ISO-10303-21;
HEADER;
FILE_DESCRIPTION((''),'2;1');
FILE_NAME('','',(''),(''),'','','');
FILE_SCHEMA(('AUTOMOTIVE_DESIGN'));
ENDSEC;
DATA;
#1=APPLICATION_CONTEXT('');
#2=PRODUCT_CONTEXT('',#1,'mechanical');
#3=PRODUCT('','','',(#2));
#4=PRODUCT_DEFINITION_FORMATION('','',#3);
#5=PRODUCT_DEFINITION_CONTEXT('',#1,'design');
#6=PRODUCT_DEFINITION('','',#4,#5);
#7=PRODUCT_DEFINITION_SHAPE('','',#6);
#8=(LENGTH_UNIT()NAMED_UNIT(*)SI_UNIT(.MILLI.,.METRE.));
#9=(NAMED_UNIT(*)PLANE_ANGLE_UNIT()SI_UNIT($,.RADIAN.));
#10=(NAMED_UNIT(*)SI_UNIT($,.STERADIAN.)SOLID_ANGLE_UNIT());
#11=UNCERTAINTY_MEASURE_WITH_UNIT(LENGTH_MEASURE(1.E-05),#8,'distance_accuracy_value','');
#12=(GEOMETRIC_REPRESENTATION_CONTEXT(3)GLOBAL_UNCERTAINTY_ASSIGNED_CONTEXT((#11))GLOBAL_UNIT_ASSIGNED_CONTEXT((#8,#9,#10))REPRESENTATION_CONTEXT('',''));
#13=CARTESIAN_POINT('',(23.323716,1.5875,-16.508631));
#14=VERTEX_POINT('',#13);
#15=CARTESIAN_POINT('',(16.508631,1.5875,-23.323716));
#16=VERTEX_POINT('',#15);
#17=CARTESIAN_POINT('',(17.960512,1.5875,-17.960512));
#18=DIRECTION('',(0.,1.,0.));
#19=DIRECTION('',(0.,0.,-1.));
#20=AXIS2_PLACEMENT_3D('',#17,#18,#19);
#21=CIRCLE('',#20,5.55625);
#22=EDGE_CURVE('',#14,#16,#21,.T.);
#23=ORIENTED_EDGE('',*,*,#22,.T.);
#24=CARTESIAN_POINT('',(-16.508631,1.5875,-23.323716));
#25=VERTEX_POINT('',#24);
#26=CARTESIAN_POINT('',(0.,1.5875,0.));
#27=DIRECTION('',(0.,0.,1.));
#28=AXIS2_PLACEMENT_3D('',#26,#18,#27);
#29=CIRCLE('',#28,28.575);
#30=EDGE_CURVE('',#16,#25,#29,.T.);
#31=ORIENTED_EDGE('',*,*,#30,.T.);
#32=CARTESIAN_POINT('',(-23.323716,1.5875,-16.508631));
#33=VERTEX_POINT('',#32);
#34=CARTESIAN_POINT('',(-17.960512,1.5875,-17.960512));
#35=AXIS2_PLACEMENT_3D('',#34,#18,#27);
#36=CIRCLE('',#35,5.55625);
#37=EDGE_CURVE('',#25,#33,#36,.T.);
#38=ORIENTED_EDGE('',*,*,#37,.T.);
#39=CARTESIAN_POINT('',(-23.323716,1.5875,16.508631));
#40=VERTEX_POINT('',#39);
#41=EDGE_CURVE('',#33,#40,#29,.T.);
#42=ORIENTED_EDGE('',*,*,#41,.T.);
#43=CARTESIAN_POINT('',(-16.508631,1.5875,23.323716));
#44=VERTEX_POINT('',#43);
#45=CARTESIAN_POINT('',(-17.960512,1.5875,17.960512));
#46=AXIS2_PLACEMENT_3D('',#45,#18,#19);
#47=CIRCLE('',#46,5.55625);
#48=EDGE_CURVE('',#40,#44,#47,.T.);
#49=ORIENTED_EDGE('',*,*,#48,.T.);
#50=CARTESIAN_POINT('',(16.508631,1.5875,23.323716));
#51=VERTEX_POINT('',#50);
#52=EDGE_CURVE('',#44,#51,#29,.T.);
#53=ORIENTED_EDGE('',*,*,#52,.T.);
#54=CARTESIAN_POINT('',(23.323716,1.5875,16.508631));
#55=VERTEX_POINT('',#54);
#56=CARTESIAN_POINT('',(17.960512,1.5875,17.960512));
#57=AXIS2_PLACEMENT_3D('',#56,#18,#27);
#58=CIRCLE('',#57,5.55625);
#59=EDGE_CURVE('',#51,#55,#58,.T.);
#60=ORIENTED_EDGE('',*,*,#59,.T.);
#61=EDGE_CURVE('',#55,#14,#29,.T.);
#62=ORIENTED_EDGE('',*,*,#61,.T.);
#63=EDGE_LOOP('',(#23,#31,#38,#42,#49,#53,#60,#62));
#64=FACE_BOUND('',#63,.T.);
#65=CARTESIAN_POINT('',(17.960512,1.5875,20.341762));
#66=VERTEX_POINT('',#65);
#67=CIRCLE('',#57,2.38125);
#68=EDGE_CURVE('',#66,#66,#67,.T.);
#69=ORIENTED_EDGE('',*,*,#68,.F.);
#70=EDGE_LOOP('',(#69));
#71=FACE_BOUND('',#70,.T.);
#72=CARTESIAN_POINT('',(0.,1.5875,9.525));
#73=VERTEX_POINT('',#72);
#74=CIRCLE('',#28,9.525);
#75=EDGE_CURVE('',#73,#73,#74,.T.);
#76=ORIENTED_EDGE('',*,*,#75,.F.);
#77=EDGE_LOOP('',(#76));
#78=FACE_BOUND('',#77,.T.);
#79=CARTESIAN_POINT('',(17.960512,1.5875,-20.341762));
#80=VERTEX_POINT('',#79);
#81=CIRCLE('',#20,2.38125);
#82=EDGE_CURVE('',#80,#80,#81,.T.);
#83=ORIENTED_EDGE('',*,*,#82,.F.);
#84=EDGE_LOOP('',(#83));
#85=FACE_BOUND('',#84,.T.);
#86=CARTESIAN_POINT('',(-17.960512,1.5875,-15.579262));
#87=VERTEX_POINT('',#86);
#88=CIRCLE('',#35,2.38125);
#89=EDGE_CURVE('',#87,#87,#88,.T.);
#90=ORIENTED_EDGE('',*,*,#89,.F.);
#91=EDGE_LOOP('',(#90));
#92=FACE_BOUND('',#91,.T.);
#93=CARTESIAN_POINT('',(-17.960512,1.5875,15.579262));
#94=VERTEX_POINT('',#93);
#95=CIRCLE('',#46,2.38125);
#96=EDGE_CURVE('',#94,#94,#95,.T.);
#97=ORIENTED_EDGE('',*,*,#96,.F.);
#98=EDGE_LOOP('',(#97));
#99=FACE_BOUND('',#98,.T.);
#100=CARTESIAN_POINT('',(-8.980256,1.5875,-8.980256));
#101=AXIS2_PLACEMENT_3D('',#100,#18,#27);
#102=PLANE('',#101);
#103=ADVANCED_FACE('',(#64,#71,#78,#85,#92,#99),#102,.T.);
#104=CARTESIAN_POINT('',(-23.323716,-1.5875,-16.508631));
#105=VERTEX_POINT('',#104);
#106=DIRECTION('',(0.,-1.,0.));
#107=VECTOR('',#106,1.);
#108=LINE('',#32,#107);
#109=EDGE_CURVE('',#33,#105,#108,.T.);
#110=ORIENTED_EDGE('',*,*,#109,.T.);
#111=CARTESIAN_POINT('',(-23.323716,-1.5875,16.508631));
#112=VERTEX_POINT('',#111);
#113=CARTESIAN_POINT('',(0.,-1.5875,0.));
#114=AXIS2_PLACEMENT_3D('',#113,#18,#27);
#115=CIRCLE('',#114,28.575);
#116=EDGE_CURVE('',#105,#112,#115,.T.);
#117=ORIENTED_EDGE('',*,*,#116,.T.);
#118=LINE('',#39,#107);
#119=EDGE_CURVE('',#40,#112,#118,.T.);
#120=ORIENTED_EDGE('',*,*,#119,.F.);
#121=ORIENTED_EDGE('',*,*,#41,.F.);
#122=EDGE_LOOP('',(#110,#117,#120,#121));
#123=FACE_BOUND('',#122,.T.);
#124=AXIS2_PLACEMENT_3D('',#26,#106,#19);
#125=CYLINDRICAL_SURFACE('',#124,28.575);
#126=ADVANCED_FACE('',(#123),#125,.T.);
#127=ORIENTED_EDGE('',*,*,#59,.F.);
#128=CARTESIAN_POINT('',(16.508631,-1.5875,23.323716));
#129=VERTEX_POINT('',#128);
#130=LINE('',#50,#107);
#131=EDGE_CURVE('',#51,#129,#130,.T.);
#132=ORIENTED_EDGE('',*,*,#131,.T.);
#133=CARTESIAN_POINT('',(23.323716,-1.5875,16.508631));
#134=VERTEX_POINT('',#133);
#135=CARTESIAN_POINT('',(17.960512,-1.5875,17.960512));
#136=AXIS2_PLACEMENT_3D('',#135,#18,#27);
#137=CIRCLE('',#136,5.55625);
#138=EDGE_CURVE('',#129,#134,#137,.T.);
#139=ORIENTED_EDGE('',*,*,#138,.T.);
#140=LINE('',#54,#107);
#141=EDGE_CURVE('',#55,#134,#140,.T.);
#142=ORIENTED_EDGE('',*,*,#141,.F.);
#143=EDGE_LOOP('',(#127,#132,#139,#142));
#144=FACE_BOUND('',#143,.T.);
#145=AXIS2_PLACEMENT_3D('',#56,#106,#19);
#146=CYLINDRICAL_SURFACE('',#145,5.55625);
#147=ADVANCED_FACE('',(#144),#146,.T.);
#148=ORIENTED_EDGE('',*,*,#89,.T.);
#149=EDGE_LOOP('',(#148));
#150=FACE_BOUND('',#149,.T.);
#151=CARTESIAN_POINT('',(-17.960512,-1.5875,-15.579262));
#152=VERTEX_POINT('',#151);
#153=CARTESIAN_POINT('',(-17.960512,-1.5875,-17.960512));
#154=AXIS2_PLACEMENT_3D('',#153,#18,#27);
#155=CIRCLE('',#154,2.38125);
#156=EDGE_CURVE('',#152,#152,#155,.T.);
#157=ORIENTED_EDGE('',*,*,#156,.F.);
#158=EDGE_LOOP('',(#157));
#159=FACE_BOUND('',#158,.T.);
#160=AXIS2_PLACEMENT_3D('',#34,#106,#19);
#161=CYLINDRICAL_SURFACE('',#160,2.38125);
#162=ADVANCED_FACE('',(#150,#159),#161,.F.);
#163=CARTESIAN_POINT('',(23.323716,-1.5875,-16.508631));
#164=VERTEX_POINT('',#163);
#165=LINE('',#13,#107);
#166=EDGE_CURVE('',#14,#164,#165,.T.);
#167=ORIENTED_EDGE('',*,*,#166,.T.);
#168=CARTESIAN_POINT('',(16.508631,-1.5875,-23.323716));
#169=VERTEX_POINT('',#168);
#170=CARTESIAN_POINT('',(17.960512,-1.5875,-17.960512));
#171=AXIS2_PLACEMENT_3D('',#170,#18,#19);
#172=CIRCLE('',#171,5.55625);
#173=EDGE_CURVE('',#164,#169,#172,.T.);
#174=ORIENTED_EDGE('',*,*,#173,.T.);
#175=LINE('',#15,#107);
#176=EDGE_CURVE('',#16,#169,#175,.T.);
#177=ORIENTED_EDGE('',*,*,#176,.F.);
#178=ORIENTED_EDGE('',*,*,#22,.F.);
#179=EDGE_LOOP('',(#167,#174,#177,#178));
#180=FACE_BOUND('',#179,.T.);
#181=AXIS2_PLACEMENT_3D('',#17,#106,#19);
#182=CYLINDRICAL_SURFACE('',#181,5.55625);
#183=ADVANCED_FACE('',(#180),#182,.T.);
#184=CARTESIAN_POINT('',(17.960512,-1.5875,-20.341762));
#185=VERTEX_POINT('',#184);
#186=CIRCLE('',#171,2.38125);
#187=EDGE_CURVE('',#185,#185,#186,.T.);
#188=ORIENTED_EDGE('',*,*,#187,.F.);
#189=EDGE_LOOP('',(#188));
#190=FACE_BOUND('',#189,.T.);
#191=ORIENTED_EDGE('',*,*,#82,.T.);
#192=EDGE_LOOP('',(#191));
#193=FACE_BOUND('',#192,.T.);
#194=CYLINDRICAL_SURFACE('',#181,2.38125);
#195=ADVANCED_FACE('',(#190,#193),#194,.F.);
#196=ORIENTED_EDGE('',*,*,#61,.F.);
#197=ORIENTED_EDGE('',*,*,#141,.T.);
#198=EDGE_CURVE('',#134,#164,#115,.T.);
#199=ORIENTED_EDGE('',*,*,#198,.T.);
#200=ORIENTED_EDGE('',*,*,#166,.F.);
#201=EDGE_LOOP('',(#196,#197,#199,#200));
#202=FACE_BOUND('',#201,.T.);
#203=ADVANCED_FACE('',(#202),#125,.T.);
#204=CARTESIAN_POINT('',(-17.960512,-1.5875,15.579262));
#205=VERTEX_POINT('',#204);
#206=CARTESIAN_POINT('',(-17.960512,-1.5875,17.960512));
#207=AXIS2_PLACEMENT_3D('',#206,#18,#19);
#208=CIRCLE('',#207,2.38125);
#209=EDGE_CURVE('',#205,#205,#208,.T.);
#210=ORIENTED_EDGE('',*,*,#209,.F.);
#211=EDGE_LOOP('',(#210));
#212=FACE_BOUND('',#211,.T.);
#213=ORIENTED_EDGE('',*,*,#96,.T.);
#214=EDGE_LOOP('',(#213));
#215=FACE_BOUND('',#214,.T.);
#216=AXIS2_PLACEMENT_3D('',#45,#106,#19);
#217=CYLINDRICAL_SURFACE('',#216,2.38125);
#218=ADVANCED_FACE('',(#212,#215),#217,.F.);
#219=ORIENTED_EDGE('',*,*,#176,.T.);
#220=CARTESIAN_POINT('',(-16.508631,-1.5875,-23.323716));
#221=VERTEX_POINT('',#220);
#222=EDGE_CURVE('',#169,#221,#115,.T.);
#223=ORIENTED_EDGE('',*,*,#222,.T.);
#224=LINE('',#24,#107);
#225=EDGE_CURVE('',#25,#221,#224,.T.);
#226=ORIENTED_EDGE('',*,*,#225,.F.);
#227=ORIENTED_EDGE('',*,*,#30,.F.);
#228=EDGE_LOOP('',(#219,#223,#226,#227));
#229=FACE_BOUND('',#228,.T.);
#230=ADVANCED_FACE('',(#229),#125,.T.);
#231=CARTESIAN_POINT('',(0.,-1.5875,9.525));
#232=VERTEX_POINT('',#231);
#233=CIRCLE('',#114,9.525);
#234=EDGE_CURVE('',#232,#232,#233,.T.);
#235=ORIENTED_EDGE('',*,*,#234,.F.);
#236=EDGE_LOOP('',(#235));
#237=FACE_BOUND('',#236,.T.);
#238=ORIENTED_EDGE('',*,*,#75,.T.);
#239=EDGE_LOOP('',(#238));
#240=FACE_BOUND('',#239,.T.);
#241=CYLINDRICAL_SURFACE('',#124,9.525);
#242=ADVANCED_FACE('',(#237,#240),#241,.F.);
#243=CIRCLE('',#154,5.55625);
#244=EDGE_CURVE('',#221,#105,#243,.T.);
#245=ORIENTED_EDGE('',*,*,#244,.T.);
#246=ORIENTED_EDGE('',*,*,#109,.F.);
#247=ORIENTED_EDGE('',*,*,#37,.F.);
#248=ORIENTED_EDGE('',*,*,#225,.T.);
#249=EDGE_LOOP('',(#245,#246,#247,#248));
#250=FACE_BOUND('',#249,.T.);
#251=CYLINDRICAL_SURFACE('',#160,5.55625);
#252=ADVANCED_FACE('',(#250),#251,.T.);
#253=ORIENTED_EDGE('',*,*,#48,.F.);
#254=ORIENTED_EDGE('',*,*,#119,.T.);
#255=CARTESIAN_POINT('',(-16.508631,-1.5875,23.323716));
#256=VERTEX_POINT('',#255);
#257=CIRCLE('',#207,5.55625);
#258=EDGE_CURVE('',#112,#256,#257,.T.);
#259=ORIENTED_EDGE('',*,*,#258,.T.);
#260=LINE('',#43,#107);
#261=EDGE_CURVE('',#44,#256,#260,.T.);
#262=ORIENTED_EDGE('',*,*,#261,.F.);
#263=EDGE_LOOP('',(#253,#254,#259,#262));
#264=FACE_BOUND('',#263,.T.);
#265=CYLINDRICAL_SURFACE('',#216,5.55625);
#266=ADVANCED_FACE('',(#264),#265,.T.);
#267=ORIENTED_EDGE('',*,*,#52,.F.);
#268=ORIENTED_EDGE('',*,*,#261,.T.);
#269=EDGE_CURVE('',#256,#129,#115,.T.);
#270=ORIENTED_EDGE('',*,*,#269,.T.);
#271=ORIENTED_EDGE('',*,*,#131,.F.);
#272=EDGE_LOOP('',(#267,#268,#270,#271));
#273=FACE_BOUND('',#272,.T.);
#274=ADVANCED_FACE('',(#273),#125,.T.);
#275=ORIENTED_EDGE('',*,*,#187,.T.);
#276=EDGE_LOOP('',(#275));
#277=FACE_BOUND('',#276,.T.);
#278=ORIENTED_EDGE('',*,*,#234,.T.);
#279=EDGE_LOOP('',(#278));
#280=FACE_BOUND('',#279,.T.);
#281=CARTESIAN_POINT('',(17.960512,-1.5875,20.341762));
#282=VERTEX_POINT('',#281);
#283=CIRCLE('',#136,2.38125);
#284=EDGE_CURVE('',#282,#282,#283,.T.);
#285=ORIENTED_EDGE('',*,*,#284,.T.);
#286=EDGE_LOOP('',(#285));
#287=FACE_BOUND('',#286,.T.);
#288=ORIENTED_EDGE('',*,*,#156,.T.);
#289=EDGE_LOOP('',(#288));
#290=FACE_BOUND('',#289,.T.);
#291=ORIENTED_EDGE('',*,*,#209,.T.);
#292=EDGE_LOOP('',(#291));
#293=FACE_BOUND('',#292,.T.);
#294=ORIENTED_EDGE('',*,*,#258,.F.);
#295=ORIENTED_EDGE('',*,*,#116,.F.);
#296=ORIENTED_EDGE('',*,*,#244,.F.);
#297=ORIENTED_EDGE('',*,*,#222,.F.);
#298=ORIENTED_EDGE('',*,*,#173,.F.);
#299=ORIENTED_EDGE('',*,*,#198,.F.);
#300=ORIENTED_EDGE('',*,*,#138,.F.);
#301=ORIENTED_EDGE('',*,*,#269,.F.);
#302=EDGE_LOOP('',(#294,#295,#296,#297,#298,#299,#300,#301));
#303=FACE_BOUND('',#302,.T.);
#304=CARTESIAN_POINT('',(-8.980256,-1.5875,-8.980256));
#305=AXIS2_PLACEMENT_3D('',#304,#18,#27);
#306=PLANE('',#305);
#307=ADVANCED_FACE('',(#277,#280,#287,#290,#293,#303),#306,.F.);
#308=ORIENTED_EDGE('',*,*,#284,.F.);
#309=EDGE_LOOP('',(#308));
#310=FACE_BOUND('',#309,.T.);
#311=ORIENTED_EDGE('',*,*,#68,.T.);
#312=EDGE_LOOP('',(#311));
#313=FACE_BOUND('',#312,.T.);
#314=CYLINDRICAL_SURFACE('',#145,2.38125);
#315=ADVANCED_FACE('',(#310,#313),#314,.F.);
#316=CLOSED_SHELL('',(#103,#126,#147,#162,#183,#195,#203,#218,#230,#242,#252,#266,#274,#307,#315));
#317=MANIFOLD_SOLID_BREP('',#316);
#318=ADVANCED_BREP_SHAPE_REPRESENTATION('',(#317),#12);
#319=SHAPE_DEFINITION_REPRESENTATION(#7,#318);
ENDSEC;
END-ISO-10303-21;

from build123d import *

# Parameters (mm, degrees)
SKETCH1_R           = 2.38125
SKETCH1_R_2         = 9.525
BOSS_EXTRUDE1_DEPTH = 1.5875


with BuildPart() as part:
    # Sketch1 → Boss-Extrude1 (new, symmetric)
    with BuildSketch(Plane(origin=(0, 0, 0), x_dir=(1, 0, 0), z_dir=(0, 1, 0))):
        with BuildLine():
            ThreePointArc((-16.508630953, 23.323716022), (-21.889374295, 21.889374295), (-23.323716022, 16.508630953))
            ThreePointArc((-23.323716022, 16.508630953), (-28.575, 0), (-23.323716022, -16.508630953))
            ThreePointArc((-23.323716022, -16.508630953), (-21.889374295, -21.889374295), (-16.508630953, -23.323716022))
            ThreePointArc((-16.508630953, -23.323716022), (0, -28.575), (16.508630953, -23.323716022))
            ThreePointArc((16.508630953, -23.323716022), (21.889374295, -21.889374295), (23.323716022, -16.508630953))
            ThreePointArc((23.323716022, -16.508630953), (28.575, 0), (23.323716022, 16.508630953))
            ThreePointArc((23.323716022, 16.508630953), (21.889374295, 21.889374295), (16.508630953, 23.323716022))
            ThreePointArc((16.508630953, 23.323716022), (0, 28.575), (-16.508630953, 23.323716022))
        make_face()
        with Locations(Location((-17.960512242, 17.960512242, 0), (0, 0, 270))):
            Circle(SKETCH1_R, mode=Mode.SUBTRACT)
        with Locations(Location((17.960512242, 17.960512242, 0), (0, 0, 90))):
            Circle(SKETCH1_R, mode=Mode.SUBTRACT)
        with Locations(Location((-17.960512242, -17.960512242, 0), (0, 0, 90))):
            Circle(SKETCH1_R, mode=Mode.SUBTRACT)
        with Locations(Location((17.960512242, -17.960512242, 0), (0, 0, 270))):
            Circle(SKETCH1_R, mode=Mode.SUBTRACT)
        with Locations(Location((0, 0, 0), (0, 0, 270))):
            Circle(SKETCH1_R_2, mode=Mode.SUBTRACT)
    extrude(amount=BOSS_EXTRUDE1_DEPTH, both=True)


solid = part.part
